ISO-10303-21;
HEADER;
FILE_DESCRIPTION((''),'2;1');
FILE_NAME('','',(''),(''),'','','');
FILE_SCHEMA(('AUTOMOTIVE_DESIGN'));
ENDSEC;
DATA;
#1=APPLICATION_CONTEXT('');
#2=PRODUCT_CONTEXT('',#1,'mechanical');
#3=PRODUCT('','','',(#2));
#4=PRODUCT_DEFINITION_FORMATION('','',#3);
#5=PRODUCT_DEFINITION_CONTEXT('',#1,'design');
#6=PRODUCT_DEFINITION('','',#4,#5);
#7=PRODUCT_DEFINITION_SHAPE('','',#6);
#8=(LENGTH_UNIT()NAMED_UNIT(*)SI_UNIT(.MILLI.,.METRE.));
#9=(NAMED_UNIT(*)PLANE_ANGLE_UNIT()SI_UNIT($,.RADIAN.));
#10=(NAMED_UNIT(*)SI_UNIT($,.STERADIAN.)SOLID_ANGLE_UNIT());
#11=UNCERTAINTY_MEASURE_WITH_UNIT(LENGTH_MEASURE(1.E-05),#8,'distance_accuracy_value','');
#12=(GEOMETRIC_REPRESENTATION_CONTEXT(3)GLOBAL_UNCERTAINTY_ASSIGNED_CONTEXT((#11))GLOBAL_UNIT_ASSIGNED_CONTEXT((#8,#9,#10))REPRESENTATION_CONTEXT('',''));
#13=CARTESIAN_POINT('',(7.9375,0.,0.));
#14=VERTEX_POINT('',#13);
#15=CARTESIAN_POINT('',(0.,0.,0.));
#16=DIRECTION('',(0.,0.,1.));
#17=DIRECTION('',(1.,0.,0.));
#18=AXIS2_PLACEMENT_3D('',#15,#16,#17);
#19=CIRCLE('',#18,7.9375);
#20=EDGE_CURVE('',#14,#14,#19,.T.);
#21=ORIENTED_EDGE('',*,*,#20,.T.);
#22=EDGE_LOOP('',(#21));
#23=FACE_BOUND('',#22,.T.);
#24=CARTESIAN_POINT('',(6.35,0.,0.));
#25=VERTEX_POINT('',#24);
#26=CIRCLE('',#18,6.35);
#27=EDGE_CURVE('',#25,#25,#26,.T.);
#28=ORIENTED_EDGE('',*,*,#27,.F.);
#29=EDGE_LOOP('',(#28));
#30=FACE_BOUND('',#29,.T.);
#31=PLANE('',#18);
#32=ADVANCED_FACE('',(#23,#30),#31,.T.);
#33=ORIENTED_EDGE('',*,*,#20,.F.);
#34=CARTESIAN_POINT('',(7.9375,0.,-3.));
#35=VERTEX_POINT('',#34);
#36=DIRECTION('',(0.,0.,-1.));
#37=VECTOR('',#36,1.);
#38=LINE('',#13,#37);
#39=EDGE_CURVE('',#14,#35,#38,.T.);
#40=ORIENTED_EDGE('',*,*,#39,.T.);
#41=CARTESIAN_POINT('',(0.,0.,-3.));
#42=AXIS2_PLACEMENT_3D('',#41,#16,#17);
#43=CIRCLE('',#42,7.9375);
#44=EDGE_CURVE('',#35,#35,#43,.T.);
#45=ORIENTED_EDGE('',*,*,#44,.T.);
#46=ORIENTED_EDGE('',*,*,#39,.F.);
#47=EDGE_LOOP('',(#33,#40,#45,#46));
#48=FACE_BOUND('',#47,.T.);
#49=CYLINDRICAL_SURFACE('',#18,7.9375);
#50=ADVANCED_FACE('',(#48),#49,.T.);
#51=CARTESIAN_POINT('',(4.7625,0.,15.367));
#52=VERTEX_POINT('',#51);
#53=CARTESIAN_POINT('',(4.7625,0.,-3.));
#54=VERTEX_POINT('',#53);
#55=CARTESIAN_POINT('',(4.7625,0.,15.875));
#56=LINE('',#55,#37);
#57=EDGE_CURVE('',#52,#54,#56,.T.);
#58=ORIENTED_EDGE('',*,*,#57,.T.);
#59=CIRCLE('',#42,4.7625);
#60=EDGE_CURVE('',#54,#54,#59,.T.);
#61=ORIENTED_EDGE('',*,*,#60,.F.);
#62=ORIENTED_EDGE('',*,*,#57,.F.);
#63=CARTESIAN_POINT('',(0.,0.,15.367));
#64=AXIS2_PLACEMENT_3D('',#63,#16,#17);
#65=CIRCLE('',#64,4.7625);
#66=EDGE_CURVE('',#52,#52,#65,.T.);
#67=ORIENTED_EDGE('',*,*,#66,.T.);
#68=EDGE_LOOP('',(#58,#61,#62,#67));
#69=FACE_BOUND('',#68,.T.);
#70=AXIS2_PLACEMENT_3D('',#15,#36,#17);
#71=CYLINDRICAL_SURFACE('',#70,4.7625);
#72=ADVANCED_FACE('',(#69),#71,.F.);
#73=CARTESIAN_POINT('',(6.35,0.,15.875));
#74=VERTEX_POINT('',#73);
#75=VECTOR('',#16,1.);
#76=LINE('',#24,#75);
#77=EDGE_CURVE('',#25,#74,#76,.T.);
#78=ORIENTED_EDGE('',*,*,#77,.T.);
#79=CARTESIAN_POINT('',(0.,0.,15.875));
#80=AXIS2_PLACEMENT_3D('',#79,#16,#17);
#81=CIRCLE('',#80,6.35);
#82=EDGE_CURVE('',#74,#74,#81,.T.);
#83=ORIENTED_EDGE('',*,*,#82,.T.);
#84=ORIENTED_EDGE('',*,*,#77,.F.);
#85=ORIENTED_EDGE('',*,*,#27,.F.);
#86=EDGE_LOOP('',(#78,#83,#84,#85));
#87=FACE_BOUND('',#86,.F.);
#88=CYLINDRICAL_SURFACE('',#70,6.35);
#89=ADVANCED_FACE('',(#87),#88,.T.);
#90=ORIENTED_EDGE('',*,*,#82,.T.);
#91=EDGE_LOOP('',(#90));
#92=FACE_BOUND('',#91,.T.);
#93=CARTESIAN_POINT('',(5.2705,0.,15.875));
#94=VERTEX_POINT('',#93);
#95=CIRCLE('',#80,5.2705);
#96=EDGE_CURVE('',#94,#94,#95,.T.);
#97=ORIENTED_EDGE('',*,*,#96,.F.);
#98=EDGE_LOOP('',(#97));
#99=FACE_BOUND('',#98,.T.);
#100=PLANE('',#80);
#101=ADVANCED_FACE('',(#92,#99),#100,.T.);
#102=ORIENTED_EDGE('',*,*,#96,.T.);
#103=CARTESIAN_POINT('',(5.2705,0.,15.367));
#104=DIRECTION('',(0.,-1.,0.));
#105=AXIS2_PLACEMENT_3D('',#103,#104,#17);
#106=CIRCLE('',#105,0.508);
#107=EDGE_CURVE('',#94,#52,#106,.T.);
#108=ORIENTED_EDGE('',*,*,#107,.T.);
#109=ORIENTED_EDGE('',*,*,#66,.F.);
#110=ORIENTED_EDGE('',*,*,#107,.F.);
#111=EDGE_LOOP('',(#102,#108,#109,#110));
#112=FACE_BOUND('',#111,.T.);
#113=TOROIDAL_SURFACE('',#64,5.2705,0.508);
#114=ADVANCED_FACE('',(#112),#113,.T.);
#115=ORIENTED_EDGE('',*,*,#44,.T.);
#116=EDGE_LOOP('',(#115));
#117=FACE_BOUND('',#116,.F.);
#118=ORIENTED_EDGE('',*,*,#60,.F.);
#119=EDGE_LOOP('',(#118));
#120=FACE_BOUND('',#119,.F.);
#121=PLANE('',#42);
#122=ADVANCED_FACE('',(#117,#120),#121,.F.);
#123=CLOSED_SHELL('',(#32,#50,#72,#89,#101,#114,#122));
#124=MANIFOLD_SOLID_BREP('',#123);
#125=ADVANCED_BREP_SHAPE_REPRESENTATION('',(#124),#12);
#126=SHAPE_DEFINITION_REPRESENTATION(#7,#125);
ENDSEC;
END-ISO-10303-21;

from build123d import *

# Parameters (mm, degrees)
F0_R     = 7.9375
F0_R_2   = 6.35
F0_R_3   = 4.7625
F1_DEPTH = 3
F2_DEPTH = 15.875
F3_R     = 0.508


with BuildPart() as f1:
    # F0 (on Top) → F1 (new body)
    with BuildSketch(Plane.XY):
        Circle(F0_R)
        Circle(F0_R_2, mode=Mode.SUBTRACT)
        Circle(F0_R_2)
        Circle(F0_R_3, mode=Mode.SUBTRACT)
    extrude(amount=-F1_DEPTH)

    # F0 (on Top) → F2 (join)
    with BuildSketch(Plane.XY):
        Circle(F0_R_2)
        Circle(F0_R_3, mode=Mode.SUBTRACT)
    extrude(amount=F2_DEPTH)

    # F3
    f3_edges = [f1.edges().sort_by_distance(p)[0] for p in [
        (-4.7625, 0, 15.875),
    ]]
    fillet(f3_edges, radius=F3_R)


solid = f1.part
